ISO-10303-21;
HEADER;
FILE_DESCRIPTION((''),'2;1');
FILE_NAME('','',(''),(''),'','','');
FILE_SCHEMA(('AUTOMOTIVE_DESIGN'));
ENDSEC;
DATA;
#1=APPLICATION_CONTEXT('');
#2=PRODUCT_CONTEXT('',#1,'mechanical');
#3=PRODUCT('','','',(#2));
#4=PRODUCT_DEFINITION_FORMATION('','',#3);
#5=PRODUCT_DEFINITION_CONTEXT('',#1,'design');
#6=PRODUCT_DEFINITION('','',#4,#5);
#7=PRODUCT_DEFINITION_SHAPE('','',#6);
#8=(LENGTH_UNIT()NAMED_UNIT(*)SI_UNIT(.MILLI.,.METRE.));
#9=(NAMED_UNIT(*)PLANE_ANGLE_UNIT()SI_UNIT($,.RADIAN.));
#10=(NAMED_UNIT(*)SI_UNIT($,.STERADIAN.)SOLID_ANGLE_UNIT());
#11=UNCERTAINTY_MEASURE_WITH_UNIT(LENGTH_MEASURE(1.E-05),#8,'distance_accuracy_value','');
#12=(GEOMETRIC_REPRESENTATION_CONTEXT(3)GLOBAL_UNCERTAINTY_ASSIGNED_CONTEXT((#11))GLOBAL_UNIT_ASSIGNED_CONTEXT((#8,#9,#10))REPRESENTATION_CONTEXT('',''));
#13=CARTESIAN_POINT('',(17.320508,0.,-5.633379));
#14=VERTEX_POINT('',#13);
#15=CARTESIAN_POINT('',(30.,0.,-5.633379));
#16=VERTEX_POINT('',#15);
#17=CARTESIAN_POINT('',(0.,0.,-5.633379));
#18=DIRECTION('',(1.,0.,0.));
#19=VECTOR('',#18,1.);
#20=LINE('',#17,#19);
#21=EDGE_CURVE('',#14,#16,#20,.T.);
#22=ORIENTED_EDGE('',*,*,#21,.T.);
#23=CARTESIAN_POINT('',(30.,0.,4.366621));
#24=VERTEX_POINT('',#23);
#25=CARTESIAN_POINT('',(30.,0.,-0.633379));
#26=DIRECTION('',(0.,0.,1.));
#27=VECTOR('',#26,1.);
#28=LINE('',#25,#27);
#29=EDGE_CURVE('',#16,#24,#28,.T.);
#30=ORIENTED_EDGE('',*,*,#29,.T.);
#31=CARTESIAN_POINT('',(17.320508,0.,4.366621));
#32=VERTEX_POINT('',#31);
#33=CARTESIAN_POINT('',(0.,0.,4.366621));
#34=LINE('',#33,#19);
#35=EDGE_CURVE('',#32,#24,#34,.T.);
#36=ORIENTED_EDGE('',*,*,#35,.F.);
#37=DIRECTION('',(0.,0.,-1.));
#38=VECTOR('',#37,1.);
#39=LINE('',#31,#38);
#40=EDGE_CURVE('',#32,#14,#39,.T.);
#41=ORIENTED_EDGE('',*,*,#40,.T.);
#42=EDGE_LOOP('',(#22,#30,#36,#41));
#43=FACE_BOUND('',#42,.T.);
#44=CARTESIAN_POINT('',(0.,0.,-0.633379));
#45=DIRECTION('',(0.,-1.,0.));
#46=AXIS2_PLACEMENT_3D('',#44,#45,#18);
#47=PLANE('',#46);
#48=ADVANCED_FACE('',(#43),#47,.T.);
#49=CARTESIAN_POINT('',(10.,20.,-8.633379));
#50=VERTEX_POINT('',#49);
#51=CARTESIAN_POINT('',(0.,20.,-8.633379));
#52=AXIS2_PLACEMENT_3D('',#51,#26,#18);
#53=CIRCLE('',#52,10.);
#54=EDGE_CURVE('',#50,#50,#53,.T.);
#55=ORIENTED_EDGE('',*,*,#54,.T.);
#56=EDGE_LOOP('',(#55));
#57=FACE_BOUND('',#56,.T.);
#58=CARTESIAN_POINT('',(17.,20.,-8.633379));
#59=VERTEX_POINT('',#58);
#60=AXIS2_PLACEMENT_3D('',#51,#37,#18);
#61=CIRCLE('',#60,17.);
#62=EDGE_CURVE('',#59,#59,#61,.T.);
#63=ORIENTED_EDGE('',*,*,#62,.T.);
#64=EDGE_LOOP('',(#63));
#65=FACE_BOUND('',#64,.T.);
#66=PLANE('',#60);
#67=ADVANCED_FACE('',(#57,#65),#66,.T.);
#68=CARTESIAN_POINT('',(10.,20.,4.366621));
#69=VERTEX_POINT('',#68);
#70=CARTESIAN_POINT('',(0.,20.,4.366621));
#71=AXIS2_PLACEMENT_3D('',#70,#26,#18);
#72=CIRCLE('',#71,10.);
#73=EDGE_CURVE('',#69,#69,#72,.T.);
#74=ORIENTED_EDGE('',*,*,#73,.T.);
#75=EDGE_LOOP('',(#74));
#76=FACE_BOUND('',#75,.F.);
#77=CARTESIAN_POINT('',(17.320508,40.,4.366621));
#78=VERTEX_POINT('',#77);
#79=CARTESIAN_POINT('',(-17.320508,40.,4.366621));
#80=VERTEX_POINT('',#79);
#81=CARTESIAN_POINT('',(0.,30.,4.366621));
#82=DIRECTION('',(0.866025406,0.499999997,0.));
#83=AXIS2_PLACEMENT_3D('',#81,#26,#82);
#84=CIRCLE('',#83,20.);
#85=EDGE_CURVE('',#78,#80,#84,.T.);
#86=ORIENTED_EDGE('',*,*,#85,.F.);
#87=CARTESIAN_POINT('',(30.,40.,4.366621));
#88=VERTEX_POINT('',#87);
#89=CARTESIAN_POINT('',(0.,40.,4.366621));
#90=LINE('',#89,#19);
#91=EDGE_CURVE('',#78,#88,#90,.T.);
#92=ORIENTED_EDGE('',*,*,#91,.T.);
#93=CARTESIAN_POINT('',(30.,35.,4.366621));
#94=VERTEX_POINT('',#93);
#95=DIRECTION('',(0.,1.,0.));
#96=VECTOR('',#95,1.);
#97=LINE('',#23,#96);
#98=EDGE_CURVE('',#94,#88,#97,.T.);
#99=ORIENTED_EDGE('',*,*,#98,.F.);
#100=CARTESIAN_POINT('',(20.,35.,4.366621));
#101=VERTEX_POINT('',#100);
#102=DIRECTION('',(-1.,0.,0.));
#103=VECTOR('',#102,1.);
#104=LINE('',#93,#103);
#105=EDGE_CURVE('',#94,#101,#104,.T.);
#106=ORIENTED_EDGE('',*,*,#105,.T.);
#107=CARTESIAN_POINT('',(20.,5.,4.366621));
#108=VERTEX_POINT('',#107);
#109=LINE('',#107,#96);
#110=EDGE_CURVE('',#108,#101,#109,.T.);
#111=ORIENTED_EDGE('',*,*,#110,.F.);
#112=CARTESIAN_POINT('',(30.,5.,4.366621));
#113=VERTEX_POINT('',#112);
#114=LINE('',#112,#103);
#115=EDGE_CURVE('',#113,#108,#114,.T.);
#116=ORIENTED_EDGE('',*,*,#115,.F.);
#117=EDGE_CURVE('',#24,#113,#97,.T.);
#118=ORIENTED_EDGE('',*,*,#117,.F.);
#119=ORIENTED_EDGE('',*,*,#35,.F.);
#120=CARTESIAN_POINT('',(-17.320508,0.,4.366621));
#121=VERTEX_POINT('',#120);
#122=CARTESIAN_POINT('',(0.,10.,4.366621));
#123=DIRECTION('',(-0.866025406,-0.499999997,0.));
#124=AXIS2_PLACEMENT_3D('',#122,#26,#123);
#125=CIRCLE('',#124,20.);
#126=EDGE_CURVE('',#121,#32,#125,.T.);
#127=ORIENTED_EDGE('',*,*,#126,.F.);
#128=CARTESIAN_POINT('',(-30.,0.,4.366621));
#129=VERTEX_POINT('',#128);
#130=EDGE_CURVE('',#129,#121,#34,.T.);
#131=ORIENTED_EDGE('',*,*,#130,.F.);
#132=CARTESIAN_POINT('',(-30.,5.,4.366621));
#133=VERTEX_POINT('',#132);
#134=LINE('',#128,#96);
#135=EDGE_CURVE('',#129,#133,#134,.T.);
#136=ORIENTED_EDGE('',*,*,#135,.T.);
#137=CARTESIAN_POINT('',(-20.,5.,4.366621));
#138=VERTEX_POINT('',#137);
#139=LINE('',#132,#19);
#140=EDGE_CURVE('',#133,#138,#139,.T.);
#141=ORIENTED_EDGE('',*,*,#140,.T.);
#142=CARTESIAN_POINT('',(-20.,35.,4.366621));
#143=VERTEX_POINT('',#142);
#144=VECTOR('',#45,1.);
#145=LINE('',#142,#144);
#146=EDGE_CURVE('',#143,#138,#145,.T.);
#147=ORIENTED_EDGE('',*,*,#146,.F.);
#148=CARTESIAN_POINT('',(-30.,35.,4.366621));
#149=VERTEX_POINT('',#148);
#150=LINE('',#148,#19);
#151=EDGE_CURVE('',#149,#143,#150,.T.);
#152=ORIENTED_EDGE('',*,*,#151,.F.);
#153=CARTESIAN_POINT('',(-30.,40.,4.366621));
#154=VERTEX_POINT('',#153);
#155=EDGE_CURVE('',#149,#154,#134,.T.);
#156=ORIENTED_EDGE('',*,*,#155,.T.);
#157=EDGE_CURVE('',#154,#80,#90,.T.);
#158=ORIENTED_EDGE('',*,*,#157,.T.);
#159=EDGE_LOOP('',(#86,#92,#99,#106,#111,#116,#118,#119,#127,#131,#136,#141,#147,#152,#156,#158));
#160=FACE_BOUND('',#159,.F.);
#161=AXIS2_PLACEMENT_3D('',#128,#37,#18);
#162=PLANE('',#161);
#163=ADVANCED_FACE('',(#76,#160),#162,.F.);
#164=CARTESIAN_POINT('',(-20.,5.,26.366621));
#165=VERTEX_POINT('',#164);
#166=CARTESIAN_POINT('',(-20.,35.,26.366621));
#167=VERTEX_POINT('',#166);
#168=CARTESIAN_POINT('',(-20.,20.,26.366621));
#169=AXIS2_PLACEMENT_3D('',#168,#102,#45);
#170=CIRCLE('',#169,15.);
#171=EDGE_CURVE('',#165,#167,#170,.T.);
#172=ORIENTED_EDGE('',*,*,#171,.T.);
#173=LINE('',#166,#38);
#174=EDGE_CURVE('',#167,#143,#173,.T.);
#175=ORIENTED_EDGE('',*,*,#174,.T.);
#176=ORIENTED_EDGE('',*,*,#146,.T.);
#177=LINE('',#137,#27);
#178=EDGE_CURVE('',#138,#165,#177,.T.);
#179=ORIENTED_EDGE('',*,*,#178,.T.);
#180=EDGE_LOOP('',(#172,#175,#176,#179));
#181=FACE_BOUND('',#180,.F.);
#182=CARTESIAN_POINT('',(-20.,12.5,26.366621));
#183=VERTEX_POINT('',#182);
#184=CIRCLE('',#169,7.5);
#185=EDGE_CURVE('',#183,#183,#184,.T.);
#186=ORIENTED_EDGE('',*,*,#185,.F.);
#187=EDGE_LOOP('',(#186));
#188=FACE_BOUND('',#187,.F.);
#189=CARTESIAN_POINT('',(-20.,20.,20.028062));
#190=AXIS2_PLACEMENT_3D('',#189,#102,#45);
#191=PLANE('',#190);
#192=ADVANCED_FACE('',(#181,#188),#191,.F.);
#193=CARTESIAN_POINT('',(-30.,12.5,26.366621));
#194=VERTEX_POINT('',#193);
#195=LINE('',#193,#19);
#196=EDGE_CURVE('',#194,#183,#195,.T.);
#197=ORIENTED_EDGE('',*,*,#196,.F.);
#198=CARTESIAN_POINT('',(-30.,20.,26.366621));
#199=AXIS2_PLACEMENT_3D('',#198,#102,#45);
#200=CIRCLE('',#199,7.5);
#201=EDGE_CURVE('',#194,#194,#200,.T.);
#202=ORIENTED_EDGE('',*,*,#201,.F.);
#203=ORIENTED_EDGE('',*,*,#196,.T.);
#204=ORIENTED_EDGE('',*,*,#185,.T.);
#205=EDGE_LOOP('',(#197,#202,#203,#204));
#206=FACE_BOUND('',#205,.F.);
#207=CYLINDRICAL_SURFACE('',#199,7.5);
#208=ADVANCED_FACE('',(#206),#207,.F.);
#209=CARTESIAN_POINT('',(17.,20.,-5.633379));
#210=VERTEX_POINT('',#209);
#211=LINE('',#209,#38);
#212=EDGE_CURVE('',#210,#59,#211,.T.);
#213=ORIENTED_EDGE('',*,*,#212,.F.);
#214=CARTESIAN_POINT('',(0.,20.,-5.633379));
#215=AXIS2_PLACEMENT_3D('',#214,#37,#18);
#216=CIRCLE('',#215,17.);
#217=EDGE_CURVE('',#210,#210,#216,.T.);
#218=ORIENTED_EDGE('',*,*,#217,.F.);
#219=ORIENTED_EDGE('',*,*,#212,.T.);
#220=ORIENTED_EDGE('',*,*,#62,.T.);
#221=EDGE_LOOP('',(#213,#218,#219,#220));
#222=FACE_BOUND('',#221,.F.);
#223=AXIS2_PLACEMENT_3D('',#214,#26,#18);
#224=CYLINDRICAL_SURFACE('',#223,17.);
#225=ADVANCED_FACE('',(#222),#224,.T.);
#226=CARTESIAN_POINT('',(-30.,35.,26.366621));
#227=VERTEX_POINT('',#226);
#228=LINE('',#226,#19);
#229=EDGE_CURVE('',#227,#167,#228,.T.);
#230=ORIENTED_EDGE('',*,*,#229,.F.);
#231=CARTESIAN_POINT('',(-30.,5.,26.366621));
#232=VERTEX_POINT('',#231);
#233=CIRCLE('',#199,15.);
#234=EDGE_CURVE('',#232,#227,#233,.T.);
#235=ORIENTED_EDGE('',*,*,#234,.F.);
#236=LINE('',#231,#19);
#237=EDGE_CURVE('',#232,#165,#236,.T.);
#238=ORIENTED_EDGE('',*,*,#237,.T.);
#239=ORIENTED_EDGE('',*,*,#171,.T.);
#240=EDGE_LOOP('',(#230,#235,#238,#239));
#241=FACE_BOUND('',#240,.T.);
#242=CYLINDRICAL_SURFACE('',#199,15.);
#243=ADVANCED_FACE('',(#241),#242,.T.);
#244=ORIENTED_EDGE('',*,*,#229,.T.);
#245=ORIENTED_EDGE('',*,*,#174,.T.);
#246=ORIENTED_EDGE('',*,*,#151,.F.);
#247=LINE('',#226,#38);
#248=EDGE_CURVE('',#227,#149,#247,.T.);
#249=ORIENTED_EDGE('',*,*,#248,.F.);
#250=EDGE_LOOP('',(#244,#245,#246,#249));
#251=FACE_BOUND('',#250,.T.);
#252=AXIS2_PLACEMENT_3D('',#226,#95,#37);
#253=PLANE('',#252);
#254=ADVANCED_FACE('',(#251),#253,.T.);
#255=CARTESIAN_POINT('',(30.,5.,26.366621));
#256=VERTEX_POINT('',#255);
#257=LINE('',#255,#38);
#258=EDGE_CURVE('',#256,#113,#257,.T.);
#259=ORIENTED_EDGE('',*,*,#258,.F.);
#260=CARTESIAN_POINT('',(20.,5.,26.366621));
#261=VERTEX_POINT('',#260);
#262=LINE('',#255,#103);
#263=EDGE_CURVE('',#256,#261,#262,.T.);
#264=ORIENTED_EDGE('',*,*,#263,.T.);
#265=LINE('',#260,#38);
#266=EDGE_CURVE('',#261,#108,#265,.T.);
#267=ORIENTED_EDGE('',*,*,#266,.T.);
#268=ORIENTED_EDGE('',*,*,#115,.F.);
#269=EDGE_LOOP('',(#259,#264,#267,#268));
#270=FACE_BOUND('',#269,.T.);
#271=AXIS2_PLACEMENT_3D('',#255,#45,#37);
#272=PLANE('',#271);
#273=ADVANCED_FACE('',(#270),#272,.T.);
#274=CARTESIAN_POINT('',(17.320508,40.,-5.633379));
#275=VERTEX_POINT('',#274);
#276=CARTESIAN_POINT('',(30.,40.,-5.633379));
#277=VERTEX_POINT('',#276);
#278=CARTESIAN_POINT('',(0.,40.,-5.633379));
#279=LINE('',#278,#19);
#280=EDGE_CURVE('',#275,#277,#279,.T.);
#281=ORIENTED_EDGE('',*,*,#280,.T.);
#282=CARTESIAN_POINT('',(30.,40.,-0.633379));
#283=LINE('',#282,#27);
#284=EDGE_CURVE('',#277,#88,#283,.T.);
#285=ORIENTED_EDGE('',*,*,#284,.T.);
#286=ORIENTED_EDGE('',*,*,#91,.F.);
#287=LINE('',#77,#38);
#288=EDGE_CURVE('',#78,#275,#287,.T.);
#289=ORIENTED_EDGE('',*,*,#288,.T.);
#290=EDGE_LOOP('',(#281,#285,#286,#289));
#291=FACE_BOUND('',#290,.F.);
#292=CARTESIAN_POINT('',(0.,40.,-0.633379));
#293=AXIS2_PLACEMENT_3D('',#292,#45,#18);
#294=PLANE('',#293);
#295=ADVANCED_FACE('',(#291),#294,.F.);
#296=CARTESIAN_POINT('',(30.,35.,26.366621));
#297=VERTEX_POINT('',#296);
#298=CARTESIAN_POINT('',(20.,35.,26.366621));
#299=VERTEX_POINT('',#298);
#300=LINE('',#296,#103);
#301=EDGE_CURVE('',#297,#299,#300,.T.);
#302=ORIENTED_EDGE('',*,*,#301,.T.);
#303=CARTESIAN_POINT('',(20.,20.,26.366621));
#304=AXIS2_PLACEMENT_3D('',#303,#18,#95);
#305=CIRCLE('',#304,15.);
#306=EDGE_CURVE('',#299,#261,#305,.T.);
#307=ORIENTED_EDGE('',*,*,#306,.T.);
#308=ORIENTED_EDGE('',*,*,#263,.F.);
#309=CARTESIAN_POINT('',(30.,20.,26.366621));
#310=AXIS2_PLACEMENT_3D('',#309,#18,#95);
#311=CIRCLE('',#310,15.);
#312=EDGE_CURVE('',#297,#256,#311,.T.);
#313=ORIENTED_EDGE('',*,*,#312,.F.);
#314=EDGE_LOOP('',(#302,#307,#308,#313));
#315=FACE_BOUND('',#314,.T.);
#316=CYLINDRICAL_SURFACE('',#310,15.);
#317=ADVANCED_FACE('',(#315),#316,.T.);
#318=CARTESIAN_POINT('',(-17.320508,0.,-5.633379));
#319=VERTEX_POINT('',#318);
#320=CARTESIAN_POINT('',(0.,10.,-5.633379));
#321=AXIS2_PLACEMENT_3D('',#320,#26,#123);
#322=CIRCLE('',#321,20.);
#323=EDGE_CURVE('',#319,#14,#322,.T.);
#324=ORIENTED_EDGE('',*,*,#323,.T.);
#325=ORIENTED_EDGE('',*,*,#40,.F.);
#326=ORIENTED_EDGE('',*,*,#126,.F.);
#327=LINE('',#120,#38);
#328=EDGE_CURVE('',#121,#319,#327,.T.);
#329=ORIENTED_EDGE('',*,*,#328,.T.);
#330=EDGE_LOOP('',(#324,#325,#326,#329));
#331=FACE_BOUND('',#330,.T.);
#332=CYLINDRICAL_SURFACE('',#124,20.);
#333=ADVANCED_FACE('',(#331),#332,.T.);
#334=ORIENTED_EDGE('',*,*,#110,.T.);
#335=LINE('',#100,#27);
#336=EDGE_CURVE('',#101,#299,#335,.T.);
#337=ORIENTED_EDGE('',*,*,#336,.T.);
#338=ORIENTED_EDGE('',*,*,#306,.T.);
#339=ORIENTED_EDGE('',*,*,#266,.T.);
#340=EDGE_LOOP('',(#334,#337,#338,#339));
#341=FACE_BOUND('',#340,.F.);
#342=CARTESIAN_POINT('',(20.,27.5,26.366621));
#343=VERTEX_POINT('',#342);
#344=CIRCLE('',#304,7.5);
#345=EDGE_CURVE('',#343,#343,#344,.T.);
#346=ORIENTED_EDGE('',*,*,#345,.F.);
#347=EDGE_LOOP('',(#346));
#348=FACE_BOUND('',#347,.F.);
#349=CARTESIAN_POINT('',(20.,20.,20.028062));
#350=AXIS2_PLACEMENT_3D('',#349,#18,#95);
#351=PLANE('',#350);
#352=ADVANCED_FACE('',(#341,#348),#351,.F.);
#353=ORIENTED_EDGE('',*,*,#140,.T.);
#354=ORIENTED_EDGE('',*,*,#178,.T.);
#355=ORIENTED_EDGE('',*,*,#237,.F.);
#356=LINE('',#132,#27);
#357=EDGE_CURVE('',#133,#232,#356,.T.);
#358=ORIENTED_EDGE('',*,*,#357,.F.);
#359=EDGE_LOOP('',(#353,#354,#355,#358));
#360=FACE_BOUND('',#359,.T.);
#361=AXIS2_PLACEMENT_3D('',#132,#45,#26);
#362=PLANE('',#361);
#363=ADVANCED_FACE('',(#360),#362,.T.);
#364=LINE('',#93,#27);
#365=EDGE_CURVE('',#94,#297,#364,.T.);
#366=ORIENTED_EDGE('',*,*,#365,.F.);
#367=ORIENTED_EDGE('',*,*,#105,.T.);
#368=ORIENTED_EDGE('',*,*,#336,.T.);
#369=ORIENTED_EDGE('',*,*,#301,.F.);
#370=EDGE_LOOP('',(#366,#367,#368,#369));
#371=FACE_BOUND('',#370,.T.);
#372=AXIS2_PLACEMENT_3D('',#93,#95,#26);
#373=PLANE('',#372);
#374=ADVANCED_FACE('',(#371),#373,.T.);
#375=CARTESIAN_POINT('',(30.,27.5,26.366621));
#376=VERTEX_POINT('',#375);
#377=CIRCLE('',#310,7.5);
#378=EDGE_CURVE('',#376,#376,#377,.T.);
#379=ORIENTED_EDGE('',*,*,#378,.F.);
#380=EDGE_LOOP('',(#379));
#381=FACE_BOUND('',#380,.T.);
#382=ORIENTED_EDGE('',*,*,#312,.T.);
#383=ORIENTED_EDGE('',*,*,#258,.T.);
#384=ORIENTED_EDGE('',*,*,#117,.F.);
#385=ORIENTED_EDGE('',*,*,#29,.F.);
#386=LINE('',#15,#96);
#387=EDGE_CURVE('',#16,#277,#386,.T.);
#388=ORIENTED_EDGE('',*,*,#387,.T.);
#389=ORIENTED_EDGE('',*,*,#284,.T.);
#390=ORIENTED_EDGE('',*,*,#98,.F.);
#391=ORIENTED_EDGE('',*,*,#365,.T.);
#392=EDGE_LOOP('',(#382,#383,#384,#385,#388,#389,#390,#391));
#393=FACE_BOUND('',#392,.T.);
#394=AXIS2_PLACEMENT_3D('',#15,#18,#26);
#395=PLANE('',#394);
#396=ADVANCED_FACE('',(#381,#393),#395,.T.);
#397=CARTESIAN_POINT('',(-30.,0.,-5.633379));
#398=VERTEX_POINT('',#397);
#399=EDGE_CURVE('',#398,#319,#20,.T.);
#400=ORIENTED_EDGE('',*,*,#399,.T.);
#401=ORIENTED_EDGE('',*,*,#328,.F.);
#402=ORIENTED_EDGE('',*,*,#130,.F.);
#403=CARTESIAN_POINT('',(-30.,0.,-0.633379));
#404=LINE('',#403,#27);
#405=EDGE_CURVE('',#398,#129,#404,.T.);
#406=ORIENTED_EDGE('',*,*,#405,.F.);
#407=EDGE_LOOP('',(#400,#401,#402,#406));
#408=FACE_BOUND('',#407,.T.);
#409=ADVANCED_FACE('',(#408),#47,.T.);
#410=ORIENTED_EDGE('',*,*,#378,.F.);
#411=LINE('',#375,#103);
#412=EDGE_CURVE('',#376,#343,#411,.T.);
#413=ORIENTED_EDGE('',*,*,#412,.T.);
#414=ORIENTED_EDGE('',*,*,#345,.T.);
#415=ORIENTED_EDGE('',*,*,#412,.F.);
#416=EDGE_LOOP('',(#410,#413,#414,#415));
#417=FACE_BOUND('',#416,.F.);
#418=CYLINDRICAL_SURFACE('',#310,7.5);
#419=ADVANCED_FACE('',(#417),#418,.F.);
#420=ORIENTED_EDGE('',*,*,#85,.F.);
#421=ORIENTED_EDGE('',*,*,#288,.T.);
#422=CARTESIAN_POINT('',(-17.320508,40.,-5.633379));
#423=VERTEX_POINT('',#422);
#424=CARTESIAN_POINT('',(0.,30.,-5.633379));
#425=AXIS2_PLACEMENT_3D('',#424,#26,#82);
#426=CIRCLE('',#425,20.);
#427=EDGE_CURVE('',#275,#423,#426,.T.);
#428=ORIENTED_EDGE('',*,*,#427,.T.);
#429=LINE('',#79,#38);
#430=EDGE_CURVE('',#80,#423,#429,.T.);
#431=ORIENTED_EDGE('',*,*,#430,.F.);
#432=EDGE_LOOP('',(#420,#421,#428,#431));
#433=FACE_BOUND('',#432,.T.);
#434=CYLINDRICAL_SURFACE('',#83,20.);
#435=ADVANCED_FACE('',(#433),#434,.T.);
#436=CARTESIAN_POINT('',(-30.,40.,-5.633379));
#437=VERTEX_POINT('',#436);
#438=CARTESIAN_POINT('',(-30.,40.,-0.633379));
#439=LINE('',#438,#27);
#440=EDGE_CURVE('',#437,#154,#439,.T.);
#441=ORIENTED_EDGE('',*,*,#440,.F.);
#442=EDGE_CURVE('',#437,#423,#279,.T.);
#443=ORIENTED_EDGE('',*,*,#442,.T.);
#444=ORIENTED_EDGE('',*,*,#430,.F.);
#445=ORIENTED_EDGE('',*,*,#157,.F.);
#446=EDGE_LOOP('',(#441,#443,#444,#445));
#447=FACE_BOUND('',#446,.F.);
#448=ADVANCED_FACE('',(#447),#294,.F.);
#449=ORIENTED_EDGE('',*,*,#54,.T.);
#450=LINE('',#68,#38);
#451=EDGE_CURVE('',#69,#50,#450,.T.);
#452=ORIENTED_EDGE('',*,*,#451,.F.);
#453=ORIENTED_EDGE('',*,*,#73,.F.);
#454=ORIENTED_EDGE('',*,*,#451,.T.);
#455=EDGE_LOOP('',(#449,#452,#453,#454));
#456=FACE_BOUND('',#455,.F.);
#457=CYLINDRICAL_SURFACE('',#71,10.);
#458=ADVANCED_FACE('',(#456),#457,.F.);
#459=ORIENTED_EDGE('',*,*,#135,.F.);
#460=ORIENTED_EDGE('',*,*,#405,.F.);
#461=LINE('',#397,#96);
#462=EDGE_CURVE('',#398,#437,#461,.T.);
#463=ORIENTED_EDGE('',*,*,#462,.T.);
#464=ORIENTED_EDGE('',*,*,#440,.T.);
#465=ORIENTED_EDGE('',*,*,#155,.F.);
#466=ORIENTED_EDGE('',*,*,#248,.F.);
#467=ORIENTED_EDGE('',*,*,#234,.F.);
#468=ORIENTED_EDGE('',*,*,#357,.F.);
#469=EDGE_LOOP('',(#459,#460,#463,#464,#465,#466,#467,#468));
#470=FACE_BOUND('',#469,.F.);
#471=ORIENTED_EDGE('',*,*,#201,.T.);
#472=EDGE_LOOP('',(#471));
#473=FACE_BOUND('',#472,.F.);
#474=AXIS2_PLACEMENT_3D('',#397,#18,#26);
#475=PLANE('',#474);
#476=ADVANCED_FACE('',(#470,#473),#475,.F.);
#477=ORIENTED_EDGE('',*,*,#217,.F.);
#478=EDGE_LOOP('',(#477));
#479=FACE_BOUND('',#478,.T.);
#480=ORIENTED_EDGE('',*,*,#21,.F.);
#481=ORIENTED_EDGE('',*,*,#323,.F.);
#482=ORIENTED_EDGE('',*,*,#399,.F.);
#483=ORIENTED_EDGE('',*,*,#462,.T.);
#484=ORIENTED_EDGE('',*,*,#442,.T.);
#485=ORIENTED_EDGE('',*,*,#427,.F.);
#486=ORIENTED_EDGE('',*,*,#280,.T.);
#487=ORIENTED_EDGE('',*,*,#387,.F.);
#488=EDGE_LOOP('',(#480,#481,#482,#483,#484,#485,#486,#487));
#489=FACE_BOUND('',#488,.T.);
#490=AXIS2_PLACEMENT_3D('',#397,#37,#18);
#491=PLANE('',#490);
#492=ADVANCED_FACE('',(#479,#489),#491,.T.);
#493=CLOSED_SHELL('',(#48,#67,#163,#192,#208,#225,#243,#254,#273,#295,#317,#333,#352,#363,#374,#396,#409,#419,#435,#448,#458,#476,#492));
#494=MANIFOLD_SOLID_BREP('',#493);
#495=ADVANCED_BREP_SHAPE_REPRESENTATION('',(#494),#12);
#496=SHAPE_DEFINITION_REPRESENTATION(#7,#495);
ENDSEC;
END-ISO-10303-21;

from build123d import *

# Parameters (mm, degrees)
F0_W      = 60
F0_H      = 10
F1_DEPTH  = 40
F2_R      = 7.5
F3_DEPTH  = 10
F4_R      = 7.5
F5_DEPTH  = 10
F6_R      = 17
F7_DEPTH  = 3
F8_R      = 10
F9_DEPTH  = 25
F11_DEPTH = 10


with BuildPart() as f1:
    # F0 (on Front) → F1 (new body)
    with BuildSketch(Plane.XZ):
        with Locations((0, -0.633379)):
            Rectangle(F0_W, F0_H)
    extrude(amount=-F1_DEPTH)

    # F2 (on face) → F3 (join)
    with BuildSketch(Plane.YZ.offset(30)):
        with BuildLine():
            Line((5, 26.366621), (5, 4.366621))
            Line((5, 4.366621), (35, 4.366621))
            Line((35, 4.366621), (35, 26.366621))
            ThreePointArc((35, 26.366621), (20, 41.366621), (5, 26.366621))
        make_face()
        with Locations((20, 26.366621)):
            Circle(F2_R, mode=Mode.SUBTRACT)
    extrude(amount=-F3_DEPTH)

    # F4 (on face) → F5 (join)
    with BuildSketch(Plane(origin=(-30, 0, 0), x_dir=(0, -1, 0), z_dir=(-1, 0, 0))):
        with BuildLine():
            Line((-35, 4.366621), (-5, 4.366621))
            Line((-5, 4.366621), (-5, 26.366621))
            ThreePointArc((-5, 26.366621), (-20, 41.366621), (-35, 26.366621))
            Line((-35, 26.366621), (-35, 4.366621))
        make_face()
        with Locations((-20, 26.366621)):
            Circle(F4_R, mode=Mode.SUBTRACT)
    extrude(amount=-F5_DEPTH)

    # F6 (on face) → F7 (join)
    with BuildSketch(Plane(origin=(0, 0, -5.633379), x_dir=(1, 0, 0), z_dir=(0, 0, -1))):
        with Locations((0, -20)):
            Circle(F6_R)
    extrude(amount=F7_DEPTH)

    # F8 (on face) → F9 (cut)
    with BuildSketch(Plane.XY.offset(4.366621)):
        with Locations((0, 20)):
            Circle(F8_R)
    extrude(amount=-F9_DEPTH, mode=Mode.SUBTRACT)

    # F10 (on face) → F11 (join)
    with BuildSketch(Plane.XY.offset(4.366621)):
        with BuildLine():
            Line((17.320508, 0), (-17.320508, 0))
            ThreePointArc((-17.320508, 0), (0, -10), (17.320508, 0))
        make_face()
        with BuildLine():
            Line((-17.320508, 40), (17.320508, 40))
            ThreePointArc((17.320508, 40), (0, 50), (-17.320508, 40))
        make_face()
    extrude(amount=-F11_DEPTH)


solid = f1.part
